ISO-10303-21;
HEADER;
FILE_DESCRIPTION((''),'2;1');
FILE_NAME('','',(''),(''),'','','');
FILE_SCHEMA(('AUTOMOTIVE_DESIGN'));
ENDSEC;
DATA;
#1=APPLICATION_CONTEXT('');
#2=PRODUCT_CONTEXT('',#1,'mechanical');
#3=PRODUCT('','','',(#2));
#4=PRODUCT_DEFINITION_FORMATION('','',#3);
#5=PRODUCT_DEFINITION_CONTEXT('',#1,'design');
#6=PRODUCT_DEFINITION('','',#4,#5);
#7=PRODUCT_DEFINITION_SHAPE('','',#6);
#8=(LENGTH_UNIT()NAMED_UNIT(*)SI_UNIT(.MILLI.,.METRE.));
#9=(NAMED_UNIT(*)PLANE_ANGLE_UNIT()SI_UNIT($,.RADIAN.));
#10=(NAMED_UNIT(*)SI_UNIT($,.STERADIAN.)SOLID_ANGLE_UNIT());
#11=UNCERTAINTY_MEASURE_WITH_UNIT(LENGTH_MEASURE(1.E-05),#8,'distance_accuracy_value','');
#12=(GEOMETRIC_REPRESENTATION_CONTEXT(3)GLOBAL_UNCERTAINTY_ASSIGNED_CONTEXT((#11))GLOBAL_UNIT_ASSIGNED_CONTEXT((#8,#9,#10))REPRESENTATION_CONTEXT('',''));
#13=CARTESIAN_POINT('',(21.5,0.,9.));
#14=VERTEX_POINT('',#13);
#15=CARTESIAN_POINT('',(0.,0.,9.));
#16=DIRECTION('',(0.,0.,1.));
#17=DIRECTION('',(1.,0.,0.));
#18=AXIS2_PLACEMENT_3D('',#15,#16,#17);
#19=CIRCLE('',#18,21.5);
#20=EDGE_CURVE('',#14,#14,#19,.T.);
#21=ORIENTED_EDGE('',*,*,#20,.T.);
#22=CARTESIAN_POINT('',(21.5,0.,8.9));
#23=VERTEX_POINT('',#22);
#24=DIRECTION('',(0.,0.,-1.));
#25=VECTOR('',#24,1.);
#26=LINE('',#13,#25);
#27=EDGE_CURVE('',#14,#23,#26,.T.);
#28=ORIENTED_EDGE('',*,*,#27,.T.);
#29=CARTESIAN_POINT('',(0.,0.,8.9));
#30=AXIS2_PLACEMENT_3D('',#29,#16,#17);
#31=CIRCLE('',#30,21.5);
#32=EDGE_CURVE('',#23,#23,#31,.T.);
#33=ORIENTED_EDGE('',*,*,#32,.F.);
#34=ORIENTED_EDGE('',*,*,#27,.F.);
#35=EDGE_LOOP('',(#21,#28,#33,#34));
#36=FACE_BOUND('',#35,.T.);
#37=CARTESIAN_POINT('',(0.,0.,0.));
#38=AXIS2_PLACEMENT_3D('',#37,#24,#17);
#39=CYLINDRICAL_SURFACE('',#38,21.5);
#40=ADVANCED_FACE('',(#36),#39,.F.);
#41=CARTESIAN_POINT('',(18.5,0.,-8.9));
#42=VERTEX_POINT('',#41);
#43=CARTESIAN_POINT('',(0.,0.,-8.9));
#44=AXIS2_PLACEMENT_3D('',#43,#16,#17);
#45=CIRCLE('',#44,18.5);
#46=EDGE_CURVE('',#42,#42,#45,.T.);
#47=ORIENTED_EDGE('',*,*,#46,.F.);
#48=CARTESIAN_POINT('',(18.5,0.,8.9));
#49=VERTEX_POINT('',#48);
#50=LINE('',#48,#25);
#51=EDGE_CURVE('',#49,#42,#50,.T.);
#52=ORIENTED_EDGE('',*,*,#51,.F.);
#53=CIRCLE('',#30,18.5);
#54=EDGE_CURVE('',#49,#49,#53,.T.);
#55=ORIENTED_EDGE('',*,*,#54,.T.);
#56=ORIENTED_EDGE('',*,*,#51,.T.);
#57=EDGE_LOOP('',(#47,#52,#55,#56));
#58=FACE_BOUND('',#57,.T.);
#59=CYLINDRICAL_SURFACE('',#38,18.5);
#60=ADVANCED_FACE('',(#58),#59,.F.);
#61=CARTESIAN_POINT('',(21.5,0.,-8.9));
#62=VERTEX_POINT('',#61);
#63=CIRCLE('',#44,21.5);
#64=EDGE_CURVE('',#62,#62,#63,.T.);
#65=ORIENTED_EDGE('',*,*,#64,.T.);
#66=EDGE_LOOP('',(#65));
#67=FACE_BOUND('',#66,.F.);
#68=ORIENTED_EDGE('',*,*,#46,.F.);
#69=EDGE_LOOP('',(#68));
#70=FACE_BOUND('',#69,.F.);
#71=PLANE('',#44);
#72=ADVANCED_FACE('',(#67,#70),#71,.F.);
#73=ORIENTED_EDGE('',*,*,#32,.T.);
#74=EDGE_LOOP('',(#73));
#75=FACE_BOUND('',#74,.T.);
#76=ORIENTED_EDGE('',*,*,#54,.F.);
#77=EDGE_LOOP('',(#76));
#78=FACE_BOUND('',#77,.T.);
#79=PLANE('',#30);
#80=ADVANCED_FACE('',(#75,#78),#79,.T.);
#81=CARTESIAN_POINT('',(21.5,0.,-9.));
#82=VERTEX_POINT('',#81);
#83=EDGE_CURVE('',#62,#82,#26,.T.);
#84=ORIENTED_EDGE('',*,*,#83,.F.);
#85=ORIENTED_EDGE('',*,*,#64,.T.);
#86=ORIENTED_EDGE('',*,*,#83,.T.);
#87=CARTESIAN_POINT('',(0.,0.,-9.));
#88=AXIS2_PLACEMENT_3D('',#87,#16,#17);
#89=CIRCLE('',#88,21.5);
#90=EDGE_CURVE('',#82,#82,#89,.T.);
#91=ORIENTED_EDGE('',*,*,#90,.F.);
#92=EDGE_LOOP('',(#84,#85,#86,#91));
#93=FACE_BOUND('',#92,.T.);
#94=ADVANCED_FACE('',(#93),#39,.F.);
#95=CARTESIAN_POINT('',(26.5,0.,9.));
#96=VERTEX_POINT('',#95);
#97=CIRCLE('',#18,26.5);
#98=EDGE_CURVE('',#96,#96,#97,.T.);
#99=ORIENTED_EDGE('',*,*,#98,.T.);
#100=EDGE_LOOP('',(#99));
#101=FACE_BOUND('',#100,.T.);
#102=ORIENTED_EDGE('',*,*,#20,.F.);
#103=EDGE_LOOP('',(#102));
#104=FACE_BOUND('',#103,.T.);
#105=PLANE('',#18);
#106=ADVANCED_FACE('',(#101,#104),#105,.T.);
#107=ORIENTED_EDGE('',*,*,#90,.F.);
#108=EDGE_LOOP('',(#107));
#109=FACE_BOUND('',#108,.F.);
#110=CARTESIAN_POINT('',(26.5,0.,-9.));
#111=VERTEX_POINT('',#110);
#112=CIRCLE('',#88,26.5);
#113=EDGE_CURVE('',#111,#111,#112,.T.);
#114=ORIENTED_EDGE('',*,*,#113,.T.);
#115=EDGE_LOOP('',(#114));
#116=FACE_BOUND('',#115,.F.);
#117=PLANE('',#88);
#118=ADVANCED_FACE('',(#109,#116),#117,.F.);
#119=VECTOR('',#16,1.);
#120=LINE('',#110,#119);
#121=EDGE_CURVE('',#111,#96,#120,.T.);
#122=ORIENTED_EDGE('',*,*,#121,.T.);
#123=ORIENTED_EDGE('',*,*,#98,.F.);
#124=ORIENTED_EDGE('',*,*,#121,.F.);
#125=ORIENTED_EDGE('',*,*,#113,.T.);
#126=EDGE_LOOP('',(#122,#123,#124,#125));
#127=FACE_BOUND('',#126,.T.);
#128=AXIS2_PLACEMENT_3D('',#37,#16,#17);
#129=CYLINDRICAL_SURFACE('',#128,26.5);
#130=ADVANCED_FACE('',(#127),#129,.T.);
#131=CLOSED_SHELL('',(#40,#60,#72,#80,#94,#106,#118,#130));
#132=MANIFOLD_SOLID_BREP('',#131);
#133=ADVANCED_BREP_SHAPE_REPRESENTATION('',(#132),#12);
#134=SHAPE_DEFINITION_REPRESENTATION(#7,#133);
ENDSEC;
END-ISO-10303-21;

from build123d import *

# Parameters (mm, degrees)
F0_R     = 26.5
F0_R_2   = 21.5
F1_DEPTH = 9
F0_R_3   = 18.5
F2_DEPTH = 8.9


with BuildPart() as f1:
    # F0 (on Top) → F1 (new body, symmetric)
    with BuildSketch(Plane.XY):
        Circle(F0_R)
        Circle(F0_R_2, mode=Mode.SUBTRACT)
    extrude(amount=F1_DEPTH, both=True)

    # F0 (on Top) → F2 (join, symmetric)
    with BuildSketch(Plane.XY):
        Circle(F0_R_2)
        Circle(F0_R_3, mode=Mode.SUBTRACT)
    extrude(amount=F2_DEPTH, both=True)


solid = f1.part
